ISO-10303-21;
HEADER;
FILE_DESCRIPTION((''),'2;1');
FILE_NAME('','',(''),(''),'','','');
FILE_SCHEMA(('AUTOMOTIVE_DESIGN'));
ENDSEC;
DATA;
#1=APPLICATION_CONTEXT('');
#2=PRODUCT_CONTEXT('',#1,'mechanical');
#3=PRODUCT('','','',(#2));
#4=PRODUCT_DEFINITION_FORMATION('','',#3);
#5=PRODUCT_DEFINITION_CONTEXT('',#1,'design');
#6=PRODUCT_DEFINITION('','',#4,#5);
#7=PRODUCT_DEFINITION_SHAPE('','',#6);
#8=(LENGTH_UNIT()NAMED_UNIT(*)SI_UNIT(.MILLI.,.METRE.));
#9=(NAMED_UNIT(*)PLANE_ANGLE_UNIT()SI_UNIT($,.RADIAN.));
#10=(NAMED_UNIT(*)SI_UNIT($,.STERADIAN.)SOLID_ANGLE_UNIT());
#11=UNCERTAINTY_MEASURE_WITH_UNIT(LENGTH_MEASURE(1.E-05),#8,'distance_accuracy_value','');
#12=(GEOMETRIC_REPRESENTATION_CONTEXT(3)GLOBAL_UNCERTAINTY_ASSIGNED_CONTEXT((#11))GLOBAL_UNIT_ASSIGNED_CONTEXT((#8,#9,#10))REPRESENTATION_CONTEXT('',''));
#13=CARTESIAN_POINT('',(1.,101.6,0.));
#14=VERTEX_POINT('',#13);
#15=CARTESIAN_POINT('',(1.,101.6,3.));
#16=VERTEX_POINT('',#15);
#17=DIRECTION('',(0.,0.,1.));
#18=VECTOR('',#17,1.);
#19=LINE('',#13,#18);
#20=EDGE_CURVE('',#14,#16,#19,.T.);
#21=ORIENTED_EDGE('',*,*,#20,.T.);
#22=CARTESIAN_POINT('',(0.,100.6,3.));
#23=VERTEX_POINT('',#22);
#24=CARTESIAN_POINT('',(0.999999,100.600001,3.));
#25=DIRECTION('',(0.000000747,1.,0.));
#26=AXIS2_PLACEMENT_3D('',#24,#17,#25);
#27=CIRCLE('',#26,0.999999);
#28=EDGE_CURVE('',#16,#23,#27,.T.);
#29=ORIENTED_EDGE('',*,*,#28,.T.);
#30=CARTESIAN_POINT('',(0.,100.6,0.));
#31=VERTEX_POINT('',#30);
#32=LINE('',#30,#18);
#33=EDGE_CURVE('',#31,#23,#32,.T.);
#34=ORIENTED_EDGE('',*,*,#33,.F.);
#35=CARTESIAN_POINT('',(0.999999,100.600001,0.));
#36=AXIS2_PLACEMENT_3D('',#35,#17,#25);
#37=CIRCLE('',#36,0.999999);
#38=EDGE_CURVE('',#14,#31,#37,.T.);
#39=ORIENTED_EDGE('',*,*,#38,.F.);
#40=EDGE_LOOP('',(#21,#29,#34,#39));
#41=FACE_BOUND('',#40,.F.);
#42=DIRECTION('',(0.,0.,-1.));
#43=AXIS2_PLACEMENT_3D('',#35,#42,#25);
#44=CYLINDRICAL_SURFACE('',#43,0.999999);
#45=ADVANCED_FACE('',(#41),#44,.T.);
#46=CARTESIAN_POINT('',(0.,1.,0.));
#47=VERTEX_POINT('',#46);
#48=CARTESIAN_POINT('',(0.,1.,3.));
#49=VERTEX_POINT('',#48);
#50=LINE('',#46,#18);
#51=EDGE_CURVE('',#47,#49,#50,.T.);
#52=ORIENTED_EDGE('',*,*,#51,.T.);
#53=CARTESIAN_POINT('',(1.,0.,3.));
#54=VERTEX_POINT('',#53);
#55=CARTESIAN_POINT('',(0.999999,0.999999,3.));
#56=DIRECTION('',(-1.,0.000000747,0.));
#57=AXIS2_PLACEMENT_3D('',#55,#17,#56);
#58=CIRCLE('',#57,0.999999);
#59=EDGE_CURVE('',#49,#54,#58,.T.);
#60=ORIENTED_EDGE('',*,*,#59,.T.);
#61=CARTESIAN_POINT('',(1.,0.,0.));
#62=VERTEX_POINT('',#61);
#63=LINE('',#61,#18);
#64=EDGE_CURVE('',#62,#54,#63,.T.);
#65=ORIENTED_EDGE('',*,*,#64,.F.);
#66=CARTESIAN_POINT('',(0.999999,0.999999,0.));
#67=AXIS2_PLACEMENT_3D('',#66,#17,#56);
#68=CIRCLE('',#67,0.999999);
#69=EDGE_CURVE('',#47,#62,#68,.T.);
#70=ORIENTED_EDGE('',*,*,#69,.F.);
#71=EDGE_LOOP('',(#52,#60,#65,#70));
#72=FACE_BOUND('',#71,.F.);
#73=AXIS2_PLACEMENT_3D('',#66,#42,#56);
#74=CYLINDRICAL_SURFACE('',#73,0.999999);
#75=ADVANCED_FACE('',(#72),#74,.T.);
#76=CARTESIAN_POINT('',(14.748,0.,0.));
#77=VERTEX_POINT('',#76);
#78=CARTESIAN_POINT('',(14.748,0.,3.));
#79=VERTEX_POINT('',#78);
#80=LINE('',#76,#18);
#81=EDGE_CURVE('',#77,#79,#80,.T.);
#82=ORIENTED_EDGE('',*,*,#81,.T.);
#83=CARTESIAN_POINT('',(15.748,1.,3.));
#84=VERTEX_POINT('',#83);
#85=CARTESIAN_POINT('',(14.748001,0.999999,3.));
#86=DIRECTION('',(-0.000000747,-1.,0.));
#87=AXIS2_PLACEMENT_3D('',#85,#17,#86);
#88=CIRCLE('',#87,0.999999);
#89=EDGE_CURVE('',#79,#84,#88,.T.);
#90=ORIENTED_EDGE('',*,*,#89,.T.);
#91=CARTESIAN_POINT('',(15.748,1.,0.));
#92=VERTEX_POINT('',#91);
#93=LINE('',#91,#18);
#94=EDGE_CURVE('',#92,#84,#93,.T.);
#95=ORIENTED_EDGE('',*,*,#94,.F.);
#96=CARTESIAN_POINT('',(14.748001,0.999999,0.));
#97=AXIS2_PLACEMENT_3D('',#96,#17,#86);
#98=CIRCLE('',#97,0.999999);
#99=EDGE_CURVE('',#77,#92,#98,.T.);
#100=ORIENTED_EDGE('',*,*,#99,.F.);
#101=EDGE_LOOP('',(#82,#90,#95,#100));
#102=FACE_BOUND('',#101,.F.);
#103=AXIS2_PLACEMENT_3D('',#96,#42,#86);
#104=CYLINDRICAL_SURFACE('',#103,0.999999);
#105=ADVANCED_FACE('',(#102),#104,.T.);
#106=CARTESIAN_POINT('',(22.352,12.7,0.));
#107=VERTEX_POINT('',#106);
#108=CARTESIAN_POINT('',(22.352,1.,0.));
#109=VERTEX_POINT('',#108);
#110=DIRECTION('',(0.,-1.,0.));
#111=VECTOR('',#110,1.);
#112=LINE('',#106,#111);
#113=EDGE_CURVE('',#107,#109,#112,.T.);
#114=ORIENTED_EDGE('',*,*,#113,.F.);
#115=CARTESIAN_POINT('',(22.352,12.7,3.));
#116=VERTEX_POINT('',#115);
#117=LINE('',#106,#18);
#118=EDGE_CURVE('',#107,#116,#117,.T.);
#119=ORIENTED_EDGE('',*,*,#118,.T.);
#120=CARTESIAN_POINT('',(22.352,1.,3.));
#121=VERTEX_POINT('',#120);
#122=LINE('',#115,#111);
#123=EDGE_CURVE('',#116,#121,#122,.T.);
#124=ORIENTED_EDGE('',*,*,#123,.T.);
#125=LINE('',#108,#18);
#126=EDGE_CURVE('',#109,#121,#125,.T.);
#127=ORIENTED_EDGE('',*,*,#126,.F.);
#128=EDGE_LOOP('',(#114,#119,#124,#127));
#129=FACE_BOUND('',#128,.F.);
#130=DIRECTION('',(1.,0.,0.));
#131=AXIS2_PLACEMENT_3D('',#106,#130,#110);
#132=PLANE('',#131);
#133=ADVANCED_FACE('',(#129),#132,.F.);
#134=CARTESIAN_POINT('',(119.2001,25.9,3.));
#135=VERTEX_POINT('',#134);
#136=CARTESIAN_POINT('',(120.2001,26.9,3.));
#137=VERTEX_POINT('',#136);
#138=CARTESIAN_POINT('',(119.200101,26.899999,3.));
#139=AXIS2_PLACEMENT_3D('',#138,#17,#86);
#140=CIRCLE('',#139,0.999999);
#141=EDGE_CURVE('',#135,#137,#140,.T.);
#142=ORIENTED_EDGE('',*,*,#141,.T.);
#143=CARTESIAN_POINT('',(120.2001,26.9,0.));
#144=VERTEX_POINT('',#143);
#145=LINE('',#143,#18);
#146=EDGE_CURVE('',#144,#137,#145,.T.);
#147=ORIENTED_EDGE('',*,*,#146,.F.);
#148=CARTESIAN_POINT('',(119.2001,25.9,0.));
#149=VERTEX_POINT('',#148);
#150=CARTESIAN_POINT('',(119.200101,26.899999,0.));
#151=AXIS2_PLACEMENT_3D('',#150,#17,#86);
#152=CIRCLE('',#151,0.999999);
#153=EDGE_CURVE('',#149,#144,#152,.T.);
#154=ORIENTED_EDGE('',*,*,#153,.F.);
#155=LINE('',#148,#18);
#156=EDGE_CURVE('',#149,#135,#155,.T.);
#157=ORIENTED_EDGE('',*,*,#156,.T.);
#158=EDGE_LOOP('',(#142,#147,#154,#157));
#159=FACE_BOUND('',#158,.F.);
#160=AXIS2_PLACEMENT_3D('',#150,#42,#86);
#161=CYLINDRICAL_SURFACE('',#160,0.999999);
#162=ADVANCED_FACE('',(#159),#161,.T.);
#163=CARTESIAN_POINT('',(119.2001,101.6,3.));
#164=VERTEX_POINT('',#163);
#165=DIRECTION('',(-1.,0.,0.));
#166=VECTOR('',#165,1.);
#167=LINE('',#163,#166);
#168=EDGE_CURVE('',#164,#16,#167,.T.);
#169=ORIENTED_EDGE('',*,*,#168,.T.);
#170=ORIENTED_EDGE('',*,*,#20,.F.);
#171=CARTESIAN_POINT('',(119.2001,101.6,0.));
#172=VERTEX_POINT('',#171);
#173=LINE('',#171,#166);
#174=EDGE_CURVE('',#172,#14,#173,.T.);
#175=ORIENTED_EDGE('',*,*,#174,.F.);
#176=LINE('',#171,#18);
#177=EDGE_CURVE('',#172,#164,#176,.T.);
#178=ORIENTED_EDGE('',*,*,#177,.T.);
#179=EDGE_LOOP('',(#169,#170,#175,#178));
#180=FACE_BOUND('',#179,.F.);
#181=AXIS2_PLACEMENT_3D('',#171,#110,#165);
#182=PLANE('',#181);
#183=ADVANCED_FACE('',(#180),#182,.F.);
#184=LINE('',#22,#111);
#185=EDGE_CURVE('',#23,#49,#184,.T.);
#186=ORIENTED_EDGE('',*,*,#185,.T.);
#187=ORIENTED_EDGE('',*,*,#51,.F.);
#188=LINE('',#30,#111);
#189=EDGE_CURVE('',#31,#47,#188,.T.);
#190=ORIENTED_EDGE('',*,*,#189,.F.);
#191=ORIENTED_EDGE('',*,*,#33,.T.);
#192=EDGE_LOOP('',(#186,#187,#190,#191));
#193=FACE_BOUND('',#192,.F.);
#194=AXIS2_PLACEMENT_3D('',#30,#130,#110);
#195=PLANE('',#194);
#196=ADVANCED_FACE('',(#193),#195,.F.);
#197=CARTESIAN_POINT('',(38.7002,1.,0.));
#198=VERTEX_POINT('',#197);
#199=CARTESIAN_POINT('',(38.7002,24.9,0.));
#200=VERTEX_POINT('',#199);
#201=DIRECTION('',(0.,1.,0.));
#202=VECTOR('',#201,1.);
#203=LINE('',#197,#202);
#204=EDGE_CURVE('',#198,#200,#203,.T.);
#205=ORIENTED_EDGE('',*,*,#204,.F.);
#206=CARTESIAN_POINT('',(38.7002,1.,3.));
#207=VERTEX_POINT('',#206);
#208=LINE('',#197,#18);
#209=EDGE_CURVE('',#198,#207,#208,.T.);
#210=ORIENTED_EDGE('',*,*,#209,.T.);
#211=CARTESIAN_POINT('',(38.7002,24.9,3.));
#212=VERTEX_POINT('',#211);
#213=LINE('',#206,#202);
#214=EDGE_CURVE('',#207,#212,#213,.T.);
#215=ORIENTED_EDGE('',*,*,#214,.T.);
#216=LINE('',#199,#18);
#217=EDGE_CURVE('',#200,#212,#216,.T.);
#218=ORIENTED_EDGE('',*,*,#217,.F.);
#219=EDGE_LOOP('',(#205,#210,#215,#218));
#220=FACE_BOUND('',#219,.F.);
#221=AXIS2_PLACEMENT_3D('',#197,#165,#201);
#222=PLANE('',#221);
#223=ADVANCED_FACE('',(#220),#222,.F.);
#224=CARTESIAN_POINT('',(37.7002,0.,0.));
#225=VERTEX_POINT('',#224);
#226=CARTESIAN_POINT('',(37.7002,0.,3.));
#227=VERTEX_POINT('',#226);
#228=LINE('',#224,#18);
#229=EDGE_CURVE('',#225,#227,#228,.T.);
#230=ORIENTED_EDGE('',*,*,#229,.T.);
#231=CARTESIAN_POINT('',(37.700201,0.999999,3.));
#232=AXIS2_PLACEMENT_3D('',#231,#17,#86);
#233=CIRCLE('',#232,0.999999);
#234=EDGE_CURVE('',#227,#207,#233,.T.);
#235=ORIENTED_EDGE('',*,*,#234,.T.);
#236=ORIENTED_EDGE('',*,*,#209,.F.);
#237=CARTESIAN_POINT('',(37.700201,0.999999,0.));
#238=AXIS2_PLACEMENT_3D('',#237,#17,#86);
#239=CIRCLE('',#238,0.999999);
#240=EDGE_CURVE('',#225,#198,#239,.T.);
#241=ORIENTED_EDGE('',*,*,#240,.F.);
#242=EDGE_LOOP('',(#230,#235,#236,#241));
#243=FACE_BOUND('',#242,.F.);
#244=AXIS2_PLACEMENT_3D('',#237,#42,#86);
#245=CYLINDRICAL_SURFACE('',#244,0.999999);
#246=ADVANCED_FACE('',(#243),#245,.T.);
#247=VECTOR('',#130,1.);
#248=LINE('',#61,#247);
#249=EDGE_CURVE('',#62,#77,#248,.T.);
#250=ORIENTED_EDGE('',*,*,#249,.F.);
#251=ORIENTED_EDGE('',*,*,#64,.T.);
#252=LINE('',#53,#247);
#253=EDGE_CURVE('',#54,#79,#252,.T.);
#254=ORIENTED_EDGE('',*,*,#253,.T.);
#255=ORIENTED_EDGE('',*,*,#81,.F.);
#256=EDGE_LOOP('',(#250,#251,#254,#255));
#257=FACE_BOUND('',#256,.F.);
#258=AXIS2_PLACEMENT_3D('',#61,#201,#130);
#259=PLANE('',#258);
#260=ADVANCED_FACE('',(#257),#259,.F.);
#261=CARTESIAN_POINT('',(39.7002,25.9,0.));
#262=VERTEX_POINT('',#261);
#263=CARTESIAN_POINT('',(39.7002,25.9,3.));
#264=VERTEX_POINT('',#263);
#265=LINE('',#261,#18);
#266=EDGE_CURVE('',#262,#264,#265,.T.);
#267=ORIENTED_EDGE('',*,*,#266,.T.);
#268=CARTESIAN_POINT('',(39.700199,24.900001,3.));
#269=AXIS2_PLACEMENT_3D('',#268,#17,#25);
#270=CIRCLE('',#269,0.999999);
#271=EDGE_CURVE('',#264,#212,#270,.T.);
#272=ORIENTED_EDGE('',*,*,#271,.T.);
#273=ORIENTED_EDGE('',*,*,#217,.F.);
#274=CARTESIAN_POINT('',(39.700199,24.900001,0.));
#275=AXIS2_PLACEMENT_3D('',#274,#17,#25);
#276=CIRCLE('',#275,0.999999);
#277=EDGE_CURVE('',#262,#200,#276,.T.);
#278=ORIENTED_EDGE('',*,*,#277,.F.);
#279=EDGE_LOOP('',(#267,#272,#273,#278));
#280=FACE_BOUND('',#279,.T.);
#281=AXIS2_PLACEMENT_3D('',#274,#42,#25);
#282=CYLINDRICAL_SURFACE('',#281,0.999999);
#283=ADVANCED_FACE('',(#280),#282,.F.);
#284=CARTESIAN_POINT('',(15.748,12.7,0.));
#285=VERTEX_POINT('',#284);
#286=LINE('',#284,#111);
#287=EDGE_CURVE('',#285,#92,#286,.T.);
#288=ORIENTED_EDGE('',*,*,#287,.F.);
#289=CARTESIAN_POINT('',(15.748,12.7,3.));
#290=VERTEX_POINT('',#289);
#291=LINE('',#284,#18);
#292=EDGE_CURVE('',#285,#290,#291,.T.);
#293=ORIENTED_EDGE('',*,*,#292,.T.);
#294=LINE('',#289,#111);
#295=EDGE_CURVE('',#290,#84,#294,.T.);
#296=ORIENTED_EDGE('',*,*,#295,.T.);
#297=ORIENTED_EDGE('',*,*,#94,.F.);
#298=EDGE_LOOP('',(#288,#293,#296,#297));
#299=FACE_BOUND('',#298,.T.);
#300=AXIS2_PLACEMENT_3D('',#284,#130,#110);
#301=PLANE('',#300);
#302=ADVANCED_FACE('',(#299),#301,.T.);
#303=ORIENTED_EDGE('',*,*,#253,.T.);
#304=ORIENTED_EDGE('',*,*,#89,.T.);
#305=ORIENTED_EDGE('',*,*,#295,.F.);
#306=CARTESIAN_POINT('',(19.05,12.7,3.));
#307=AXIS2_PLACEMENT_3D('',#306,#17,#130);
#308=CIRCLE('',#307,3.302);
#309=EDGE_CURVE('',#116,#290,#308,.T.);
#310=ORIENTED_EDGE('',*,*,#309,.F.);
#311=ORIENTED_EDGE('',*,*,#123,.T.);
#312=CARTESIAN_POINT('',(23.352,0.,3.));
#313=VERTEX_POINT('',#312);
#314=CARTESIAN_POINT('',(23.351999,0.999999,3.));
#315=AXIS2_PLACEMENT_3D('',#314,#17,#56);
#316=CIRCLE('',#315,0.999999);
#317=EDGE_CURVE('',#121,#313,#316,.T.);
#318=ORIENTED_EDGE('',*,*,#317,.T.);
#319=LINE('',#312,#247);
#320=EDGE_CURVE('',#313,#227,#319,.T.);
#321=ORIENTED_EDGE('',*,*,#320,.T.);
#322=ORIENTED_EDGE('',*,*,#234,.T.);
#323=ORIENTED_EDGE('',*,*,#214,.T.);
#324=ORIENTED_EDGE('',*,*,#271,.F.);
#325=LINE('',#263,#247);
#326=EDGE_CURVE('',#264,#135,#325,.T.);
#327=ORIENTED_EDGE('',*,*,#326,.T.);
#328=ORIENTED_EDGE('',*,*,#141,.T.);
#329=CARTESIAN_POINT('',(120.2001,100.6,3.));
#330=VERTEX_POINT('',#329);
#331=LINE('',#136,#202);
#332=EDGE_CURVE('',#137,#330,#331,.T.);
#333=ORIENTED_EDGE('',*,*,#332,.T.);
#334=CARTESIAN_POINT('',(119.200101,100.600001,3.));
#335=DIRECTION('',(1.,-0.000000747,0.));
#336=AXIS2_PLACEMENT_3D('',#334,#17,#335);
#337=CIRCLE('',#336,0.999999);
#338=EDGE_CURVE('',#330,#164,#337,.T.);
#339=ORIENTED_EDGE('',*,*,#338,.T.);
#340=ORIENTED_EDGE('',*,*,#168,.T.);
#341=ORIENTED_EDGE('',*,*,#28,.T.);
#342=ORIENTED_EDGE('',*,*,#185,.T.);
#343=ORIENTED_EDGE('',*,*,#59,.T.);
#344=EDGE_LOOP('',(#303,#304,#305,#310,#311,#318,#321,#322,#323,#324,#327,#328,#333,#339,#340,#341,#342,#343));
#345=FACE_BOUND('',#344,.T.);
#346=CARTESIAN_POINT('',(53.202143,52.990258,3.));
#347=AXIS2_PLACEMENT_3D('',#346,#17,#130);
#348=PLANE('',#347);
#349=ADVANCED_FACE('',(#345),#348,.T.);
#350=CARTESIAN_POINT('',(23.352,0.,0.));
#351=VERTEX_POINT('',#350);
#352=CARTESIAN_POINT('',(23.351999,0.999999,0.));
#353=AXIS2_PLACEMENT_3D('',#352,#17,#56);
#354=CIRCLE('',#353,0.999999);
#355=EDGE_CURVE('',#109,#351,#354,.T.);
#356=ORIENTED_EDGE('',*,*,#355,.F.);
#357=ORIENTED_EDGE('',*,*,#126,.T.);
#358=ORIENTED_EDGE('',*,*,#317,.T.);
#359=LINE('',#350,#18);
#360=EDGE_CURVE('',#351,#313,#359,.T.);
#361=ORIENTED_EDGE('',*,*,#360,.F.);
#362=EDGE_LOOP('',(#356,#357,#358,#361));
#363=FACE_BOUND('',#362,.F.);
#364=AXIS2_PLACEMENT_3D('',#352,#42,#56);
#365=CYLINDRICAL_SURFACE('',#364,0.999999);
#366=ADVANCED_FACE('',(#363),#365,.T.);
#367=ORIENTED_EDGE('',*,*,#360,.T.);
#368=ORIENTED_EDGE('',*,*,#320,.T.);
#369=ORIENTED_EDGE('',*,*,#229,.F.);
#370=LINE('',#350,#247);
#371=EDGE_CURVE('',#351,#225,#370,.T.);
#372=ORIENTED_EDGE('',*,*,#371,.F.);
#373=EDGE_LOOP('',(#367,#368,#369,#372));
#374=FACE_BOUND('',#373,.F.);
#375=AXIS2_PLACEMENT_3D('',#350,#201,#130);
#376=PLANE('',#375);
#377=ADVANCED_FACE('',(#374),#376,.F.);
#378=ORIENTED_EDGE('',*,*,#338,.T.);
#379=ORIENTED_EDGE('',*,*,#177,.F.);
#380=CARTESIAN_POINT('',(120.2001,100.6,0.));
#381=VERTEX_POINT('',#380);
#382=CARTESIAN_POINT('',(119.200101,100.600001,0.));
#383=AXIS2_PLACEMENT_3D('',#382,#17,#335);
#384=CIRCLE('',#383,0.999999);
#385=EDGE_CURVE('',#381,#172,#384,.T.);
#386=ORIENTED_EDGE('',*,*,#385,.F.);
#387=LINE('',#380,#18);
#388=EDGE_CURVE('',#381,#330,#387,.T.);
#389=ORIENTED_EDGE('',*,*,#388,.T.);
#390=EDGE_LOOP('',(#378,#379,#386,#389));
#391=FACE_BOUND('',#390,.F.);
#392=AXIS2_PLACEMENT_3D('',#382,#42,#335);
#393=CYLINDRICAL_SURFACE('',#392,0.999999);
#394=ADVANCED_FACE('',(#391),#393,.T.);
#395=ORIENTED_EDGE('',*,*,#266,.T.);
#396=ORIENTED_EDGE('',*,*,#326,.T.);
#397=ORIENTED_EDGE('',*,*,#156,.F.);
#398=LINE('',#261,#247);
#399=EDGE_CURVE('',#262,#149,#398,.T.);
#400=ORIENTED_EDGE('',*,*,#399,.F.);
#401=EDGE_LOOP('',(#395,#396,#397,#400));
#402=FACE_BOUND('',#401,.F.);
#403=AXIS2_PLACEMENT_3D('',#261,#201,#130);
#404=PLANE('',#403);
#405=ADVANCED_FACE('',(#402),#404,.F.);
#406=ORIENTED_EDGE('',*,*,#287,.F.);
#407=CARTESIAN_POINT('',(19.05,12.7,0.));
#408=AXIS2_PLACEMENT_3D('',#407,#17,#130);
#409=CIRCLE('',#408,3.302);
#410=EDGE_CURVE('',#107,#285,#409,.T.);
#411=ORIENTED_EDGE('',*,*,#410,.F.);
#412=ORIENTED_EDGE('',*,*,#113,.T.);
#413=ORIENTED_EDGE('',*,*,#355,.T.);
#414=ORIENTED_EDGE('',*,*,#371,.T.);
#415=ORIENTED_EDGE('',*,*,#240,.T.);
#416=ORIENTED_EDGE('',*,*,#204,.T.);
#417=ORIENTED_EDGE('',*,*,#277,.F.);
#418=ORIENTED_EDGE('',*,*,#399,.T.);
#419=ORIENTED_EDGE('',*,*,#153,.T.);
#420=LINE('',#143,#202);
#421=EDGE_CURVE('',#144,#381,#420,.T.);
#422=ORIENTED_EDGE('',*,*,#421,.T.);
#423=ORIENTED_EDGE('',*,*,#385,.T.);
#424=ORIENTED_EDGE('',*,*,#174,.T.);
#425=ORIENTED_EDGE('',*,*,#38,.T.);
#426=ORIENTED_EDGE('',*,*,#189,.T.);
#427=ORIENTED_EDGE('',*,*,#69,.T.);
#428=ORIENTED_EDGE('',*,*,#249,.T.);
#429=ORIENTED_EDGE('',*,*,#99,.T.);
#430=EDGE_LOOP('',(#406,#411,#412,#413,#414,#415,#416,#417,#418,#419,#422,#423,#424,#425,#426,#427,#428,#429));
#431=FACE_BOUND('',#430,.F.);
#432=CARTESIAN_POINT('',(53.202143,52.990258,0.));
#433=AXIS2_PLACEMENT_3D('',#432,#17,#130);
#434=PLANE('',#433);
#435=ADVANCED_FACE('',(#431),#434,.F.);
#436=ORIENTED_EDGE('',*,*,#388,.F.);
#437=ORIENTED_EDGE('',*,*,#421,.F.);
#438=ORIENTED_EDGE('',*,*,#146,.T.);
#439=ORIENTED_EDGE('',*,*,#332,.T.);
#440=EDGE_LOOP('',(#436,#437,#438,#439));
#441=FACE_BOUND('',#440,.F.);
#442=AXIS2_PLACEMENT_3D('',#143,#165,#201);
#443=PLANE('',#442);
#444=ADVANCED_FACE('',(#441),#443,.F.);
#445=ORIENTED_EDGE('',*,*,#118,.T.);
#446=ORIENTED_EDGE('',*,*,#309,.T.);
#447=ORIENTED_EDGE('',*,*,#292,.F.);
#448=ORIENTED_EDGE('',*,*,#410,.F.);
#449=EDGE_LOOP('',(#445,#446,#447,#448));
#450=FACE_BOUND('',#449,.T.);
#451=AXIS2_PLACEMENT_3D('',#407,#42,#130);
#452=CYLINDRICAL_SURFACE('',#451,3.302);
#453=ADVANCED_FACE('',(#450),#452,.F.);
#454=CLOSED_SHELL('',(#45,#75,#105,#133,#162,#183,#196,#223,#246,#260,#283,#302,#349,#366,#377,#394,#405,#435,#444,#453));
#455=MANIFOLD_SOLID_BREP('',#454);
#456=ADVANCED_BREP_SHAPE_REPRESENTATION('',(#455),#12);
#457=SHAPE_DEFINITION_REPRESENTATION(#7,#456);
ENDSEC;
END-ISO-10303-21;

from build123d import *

# Parameters (mm, degrees)
PAD_DEPTH = 3


with BuildPart() as part:
    # Sketch → Pad (new body)
    with BuildSketch(Plane.XY):
        with BuildLine():
            Line((0, 100.6), (0, 1))
            ThreePointArc((0, 1), (0.292893, 0.292893), (1, 0))
            Line((1, 0), (14.748, 0))
            ThreePointArc((14.748, 0), (15.455107, 0.292893), (15.748, 1))
            Line((15.748, 12.7), (15.748, 1))
            ThreePointArc((22.352, 12.7), (19.05, 16.002), (15.748, 12.7))
            Line((22.352, 12.7), (22.352, 1))
            ThreePointArc((22.352, 1), (22.644893, 0.292893), (23.352, 0))
            Line((23.352, 0), (37.7002, 0))
            ThreePointArc((37.7002, 0), (38.407307, 0.292893), (38.7002, 1))
            Line((38.7002, 1), (38.7002, 24.9))
            ThreePointArc((39.7002, 25.9), (38.993093, 25.607107), (38.7002, 24.9))
            Line((39.7002, 25.9), (119.2001, 25.9))
            ThreePointArc((119.2001, 25.9), (119.907207, 26.192893), (120.2001, 26.9))
            Line((120.2001, 26.9), (120.2001, 100.6))
            ThreePointArc((120.2001, 100.6), (119.907207, 101.307107), (119.2001, 101.6))
            Line((119.2001, 101.6), (1, 101.6))
            ThreePointArc((1, 101.6), (0.292893, 101.307107), (0, 100.6))
        make_face()
    extrude(amount=PAD_DEPTH)


solid = part.part
